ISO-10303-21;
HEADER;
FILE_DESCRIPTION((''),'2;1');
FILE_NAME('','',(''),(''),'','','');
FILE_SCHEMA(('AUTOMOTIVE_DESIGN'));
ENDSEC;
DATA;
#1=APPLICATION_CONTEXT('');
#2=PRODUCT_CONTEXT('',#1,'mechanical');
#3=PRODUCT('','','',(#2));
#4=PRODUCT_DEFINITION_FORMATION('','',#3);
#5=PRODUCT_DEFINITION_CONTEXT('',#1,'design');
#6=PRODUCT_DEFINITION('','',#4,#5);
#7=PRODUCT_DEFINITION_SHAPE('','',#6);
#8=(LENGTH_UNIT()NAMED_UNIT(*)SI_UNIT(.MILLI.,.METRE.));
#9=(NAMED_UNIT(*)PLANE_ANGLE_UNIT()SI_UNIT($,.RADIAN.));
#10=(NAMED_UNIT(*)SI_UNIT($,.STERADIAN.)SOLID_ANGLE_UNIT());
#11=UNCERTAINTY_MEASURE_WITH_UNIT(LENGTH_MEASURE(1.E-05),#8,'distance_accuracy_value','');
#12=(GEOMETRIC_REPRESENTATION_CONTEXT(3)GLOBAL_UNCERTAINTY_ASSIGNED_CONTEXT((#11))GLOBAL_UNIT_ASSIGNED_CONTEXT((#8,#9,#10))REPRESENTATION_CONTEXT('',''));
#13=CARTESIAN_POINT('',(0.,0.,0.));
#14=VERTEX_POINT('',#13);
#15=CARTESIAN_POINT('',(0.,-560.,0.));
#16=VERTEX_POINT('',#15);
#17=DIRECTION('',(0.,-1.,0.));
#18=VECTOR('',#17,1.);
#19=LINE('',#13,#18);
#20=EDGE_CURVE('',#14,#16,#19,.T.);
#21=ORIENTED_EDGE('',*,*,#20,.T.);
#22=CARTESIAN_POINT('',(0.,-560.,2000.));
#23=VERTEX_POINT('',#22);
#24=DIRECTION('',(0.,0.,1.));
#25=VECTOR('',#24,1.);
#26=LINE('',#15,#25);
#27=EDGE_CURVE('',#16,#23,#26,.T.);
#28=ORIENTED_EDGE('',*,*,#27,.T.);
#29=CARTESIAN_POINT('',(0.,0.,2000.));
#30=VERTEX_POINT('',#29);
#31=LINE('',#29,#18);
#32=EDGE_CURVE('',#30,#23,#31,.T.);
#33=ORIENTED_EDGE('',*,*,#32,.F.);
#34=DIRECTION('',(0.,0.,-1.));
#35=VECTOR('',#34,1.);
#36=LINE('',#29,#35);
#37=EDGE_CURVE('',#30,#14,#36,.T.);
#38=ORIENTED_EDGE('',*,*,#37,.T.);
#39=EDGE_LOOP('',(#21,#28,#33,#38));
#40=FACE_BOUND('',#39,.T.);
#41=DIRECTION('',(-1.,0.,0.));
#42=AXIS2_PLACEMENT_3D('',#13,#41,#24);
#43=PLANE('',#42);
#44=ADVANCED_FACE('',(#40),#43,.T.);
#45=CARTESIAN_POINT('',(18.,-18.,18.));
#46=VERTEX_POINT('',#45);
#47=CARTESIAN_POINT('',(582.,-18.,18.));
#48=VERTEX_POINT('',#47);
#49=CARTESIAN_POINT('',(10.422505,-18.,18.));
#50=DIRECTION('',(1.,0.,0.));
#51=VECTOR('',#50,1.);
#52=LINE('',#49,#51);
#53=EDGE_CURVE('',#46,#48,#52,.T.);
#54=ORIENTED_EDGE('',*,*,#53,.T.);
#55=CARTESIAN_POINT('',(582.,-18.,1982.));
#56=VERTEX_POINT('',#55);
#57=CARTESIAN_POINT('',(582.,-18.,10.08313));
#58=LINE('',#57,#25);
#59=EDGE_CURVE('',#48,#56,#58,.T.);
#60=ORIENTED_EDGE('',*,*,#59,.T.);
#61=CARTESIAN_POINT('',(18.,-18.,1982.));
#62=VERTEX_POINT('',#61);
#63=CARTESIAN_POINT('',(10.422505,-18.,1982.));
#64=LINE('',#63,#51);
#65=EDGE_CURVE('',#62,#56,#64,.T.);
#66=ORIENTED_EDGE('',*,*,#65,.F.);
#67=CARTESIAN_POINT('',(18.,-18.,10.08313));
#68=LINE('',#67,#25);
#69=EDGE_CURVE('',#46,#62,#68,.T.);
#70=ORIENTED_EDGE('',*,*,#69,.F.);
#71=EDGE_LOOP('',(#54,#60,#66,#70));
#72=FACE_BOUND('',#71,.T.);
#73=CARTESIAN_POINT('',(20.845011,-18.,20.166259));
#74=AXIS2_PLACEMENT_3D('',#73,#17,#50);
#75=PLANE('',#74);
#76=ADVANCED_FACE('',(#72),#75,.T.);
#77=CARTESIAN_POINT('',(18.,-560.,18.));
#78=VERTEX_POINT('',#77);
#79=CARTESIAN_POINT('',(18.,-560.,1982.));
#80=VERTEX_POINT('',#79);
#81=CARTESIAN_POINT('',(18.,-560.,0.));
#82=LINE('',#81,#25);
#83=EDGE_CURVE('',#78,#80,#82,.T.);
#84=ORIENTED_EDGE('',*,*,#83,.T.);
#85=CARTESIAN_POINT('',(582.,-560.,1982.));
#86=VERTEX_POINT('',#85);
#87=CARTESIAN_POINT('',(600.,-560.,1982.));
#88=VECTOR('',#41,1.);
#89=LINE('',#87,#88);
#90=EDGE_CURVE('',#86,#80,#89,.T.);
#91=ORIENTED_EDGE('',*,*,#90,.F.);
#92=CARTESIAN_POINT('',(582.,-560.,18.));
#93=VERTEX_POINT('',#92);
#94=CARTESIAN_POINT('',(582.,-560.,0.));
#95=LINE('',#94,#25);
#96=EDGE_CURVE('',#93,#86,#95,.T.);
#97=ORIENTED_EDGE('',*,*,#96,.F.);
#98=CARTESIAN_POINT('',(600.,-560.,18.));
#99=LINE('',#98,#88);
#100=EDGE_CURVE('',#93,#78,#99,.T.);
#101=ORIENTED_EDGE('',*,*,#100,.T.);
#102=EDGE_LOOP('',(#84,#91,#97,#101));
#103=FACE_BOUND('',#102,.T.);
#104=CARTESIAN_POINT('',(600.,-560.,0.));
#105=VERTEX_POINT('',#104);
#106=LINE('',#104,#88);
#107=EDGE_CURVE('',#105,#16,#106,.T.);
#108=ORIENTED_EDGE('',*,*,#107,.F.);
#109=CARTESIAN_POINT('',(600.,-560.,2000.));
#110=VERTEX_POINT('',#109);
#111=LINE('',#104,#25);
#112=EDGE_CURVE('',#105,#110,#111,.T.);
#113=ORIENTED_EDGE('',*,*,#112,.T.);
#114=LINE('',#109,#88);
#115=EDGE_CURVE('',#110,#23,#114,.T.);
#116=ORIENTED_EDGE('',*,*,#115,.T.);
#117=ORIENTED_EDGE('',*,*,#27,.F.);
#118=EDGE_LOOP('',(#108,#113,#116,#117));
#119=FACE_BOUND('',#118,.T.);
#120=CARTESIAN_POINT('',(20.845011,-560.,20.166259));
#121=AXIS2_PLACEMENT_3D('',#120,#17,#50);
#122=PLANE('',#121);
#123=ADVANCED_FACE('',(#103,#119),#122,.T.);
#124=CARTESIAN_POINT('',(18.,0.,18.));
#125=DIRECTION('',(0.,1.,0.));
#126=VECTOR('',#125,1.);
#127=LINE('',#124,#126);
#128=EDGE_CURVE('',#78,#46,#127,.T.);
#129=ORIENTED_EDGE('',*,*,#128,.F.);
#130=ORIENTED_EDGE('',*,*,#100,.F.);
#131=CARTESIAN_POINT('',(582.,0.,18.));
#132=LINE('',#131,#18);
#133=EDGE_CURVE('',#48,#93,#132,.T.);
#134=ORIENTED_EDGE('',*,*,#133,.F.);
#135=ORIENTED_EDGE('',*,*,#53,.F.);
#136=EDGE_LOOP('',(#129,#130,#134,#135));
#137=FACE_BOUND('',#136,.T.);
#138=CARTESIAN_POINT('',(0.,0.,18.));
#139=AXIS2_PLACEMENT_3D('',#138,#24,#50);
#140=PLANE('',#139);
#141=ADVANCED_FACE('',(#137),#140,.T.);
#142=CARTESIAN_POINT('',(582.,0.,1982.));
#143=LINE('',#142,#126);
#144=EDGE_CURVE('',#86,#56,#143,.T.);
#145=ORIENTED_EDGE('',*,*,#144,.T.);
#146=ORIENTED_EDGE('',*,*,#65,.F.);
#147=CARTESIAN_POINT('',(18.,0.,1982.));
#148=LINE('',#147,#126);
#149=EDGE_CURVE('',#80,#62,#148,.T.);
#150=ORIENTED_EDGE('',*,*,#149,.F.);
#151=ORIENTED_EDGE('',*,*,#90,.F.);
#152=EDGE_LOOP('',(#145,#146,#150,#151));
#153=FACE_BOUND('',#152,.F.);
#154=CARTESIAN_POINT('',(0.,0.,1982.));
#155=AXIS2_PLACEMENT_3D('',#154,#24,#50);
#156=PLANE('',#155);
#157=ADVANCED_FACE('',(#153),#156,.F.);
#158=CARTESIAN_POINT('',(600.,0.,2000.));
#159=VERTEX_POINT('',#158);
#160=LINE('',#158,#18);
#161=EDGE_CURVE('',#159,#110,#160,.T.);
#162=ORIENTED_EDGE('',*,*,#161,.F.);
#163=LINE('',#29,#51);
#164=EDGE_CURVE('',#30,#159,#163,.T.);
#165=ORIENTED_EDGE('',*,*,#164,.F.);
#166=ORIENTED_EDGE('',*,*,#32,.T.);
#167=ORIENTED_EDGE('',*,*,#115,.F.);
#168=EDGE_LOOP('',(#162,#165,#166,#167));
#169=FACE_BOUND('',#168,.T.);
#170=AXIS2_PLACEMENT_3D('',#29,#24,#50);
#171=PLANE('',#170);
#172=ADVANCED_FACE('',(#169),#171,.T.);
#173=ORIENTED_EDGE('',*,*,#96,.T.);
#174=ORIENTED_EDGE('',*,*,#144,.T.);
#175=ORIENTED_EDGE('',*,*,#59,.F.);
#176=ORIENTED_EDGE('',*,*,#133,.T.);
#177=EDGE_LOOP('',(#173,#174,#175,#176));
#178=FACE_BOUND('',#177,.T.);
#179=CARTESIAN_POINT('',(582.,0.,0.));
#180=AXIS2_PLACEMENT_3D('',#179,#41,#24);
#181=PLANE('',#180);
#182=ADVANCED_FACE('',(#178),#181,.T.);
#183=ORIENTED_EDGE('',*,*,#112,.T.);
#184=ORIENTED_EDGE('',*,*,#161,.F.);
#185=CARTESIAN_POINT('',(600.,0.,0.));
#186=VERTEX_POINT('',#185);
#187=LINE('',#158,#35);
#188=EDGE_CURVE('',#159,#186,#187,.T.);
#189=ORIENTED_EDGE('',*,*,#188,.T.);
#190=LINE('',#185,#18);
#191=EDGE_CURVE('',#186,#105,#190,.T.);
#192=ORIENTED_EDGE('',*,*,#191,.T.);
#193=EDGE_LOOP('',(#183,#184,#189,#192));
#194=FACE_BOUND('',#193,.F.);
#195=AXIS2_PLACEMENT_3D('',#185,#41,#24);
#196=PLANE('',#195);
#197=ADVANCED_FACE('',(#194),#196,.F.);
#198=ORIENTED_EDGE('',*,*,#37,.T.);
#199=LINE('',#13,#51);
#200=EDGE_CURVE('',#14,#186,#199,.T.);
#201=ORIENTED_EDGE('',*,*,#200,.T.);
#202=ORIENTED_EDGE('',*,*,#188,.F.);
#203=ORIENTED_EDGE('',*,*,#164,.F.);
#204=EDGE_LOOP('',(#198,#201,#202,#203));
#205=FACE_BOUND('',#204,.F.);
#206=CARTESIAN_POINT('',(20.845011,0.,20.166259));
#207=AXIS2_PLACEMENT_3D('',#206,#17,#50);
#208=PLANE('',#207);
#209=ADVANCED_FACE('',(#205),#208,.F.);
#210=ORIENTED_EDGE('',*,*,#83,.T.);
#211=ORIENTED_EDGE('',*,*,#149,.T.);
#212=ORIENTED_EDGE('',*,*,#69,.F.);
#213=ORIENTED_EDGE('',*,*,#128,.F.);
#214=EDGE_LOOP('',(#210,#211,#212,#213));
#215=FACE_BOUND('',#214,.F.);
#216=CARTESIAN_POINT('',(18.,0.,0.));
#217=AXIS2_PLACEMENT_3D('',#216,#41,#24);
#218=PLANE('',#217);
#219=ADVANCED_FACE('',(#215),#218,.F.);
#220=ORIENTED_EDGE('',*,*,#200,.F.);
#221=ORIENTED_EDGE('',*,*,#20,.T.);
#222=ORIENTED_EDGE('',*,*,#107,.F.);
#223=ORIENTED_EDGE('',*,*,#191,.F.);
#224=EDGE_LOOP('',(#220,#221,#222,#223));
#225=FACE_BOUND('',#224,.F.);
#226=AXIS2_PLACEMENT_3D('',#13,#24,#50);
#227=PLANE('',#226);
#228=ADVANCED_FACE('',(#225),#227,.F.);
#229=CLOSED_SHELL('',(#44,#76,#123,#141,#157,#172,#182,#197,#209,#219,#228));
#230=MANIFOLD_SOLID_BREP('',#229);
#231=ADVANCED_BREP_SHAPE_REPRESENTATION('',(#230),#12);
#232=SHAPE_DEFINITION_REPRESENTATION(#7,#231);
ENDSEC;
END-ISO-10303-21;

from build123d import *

# Parameters (mm, degrees)
F0_W     = 41.6900217533
F0_H     = 40.332518518
F1_DEPTH = 560
F2_DEPTH = 600
F3_DEPTH = 2000
F4_T     = -18


with BuildPart() as f1:
    # F0 (on Front) → F1 (new body)
    with BuildSketch(Plane.XZ):
        with Locations((20.8450108767, 20.166259259)):
            Rectangle(F0_W, F0_H)
    extrude(amount=F1_DEPTH)

    # F2 (add): a face of the model
    f2_faces = [f1.faces().sort_by_distance(p)[0] for p in [
        (0, -280, 20.166259259),
    ]]
    extrude(f2_faces, amount=-F2_DEPTH)

    # F3 (add): a face of the model
    f3_faces = [f1.faces().sort_by_distance(p)[0] for p in [
        (300, -280, 0),
    ]]
    extrude(f3_faces, amount=-F3_DEPTH)

    # F4
    f4_openings = [f1.faces().sort_by_distance(p)[0] for p in [
        (300, -560, 1000),
    ]]
    offset(amount=F4_T, openings=f4_openings)


solid = f1.part
